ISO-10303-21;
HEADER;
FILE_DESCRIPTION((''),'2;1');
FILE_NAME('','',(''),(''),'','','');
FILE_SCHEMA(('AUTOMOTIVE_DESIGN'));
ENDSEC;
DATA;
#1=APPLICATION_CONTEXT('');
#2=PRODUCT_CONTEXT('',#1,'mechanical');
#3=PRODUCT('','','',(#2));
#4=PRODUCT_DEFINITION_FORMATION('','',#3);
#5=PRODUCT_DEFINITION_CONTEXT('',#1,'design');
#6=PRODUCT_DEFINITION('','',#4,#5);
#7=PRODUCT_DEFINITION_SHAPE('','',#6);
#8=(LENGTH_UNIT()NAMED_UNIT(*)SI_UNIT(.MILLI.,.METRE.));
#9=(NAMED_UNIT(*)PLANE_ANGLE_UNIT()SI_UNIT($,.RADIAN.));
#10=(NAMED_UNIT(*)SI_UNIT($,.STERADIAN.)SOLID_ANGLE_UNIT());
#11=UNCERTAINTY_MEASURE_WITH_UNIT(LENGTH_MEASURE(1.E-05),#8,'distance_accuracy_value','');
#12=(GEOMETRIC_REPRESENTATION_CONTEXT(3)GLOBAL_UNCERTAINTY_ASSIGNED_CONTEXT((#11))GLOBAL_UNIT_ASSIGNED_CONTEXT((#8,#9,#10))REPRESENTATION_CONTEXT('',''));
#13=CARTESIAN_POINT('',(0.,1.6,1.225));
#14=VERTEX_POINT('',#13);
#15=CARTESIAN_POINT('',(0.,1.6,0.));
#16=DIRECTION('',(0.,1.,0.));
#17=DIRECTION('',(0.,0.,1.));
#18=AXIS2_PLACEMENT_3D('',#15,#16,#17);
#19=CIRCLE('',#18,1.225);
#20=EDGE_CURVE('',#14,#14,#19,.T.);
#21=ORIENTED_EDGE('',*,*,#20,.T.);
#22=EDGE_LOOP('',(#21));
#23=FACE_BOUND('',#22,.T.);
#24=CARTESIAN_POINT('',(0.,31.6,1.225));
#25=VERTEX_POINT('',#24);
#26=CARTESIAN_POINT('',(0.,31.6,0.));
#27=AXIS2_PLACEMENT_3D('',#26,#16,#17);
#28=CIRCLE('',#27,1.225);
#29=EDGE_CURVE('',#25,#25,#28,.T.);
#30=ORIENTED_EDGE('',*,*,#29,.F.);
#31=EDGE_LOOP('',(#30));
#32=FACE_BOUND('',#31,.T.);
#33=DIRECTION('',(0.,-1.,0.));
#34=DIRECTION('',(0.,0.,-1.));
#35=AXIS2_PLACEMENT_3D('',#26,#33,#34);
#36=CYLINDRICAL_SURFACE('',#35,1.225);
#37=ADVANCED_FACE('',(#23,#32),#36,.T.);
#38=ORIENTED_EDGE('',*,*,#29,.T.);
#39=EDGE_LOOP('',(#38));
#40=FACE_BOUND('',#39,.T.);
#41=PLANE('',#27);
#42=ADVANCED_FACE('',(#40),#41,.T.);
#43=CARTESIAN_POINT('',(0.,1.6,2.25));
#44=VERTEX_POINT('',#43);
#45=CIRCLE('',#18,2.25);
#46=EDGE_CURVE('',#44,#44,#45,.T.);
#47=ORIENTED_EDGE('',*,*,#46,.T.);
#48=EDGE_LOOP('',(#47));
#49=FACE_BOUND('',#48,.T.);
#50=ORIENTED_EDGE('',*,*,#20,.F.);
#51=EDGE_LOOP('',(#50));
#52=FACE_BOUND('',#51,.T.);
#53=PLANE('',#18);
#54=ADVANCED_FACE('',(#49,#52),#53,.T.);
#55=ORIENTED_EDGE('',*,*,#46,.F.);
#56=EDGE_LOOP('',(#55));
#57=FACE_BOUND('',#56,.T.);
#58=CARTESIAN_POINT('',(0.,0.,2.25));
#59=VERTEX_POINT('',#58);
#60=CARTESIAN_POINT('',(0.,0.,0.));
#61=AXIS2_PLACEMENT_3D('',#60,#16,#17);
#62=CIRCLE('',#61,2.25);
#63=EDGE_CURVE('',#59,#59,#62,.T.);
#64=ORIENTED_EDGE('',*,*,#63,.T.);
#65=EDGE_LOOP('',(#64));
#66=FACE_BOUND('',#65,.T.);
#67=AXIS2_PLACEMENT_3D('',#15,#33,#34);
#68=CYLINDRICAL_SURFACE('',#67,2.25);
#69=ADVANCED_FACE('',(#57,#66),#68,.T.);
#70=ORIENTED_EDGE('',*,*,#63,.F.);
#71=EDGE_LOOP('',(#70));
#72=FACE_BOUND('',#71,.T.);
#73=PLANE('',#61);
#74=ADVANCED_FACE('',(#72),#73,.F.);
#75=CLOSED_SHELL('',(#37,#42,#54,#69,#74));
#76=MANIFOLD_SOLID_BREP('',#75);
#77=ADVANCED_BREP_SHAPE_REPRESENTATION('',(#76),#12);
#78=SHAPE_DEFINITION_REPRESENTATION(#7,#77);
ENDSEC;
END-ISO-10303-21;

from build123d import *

# Parameters (mm, degrees)
SKETCH1_R           = 2.25
BOSS_EXTRUDE1_DEPTH = 1.6
SKETCH2_R           = 1.225
BOSS_EXTRUDE2_DEPTH = 30


with BuildPart() as part:
    # Sketch1 → Boss-Extrude1 (new body)
    with BuildSketch(Plane(origin=(0, 0, 0), x_dir=(1, 0, 0), z_dir=(0, 1, 0))):
        Circle(SKETCH1_R)
    extrude(amount=BOSS_EXTRUDE1_DEPTH)

    # Sketch2 → Boss-Extrude2 (add)
    with BuildSketch(Plane(origin=(0, 1.6, 0), x_dir=(1, 0, 0), z_dir=(0, 1, 0))):
        Circle(SKETCH2_R)
    extrude(amount=BOSS_EXTRUDE2_DEPTH)


solid = part.part
